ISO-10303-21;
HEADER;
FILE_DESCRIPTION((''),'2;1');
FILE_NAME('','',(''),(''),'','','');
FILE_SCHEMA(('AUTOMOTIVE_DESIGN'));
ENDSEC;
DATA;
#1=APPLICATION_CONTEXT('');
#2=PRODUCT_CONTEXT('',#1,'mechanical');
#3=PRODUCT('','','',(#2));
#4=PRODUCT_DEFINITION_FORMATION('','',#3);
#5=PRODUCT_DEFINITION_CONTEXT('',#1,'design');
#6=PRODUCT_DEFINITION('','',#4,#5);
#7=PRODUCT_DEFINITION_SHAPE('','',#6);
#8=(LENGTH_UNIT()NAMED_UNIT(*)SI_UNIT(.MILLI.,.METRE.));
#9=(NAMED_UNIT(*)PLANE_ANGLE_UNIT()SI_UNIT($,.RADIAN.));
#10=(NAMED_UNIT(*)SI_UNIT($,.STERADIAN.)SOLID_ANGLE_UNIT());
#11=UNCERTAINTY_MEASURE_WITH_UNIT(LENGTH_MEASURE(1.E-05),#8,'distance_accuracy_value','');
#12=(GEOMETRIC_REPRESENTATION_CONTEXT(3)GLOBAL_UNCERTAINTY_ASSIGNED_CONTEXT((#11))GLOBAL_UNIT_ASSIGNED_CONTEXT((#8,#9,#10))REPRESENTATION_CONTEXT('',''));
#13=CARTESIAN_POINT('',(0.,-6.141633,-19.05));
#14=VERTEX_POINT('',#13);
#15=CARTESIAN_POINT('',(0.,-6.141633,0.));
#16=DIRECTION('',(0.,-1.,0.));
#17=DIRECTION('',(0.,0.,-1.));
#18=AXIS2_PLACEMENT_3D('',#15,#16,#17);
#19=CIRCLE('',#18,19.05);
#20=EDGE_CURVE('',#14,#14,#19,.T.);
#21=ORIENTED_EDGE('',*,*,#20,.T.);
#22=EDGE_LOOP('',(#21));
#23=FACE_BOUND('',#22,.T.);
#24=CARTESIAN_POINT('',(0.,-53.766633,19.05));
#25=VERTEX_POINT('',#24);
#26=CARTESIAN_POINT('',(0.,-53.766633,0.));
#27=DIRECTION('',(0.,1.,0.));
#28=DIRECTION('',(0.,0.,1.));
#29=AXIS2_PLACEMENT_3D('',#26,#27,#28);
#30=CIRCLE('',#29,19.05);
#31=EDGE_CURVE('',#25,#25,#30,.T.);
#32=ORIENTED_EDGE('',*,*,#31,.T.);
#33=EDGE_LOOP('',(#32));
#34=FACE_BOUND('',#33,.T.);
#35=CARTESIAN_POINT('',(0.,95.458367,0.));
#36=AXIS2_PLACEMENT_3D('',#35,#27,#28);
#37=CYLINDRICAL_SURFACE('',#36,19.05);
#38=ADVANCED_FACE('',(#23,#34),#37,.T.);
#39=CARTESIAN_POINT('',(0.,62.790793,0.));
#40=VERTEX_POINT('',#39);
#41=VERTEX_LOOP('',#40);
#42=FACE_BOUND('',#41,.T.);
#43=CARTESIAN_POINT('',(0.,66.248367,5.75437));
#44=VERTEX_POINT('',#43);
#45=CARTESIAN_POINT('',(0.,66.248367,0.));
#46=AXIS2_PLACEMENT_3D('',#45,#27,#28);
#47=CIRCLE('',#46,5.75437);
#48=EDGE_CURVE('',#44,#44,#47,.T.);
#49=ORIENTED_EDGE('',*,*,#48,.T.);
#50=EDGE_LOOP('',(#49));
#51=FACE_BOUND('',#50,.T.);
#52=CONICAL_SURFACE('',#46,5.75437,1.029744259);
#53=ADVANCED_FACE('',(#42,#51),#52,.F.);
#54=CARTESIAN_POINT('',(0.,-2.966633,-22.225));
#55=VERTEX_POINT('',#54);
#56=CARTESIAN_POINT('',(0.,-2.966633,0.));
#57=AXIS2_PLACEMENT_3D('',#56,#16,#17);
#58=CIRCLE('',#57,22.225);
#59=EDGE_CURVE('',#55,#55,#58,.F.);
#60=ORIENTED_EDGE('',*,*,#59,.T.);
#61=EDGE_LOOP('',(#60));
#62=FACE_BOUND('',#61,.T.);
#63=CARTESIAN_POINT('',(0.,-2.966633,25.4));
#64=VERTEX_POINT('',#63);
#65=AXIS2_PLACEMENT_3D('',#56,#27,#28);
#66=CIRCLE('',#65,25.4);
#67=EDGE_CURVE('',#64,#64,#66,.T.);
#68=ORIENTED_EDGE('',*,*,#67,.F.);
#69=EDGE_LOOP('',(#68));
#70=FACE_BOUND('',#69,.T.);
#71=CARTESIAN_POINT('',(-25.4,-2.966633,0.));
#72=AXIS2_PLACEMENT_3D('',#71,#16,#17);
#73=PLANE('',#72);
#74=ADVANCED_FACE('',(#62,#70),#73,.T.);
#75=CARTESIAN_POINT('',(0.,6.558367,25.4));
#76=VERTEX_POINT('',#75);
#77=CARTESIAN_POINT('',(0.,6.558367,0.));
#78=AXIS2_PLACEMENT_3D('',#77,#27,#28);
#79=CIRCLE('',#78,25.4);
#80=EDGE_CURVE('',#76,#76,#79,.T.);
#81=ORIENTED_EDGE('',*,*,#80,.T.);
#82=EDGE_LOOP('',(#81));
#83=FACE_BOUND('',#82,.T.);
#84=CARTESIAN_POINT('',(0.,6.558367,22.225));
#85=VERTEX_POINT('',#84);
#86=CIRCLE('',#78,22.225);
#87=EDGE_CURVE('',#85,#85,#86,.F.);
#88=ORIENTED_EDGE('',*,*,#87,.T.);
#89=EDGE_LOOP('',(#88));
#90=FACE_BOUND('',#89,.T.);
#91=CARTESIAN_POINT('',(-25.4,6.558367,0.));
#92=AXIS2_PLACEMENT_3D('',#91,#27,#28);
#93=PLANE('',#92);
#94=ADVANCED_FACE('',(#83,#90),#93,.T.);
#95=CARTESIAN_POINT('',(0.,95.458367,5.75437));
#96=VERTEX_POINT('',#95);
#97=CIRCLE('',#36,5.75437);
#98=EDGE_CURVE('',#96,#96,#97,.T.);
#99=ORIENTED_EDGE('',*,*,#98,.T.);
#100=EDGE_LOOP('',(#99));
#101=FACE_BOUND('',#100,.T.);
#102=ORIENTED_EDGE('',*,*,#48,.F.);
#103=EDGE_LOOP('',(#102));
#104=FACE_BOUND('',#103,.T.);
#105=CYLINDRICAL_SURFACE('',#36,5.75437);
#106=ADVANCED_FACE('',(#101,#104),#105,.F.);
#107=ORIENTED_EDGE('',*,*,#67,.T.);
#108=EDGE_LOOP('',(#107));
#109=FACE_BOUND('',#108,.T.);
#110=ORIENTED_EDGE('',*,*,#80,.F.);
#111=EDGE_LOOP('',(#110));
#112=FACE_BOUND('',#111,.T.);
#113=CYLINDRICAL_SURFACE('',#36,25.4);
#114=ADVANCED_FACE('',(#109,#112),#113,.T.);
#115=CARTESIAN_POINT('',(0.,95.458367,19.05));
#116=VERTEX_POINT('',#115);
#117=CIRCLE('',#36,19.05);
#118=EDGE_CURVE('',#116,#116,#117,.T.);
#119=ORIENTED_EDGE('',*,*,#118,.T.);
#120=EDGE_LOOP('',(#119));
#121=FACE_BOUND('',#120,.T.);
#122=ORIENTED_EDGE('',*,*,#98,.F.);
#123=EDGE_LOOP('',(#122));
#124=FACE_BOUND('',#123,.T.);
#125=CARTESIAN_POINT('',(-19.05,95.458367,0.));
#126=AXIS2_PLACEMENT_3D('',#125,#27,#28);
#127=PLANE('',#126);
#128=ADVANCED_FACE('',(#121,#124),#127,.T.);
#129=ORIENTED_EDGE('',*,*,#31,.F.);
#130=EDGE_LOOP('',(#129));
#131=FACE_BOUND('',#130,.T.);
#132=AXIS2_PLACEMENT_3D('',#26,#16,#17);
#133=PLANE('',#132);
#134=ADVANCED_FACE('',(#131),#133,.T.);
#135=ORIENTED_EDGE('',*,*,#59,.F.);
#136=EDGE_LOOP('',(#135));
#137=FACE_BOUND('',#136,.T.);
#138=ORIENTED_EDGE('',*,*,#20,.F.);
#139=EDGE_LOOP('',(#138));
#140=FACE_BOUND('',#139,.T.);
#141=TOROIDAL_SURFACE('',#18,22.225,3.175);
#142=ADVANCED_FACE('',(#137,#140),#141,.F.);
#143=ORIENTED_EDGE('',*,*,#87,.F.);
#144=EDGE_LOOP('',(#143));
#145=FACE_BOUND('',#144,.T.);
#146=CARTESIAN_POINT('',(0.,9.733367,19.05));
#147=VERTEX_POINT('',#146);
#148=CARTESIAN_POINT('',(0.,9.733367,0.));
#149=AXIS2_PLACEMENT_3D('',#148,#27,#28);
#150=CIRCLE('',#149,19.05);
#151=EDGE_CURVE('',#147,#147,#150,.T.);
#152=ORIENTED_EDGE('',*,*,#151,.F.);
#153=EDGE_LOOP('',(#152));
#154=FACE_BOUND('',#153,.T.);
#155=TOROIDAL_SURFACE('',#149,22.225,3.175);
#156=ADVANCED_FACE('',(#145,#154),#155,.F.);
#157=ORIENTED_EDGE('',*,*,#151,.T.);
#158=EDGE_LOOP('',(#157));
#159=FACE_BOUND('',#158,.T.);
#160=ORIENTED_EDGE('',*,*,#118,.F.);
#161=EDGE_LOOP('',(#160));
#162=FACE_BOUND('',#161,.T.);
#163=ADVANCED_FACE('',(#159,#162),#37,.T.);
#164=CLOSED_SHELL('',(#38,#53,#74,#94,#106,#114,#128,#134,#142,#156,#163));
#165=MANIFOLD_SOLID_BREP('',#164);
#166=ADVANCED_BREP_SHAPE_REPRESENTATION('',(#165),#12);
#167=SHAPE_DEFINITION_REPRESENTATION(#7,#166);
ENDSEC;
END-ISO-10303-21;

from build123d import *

# Parameters (mm, degrees)
F_1_2_20_TAPPED_HOLE1_D     = 11.50874
F_1_2_20_TAPPED_HOLE1_DEPTH = 29.21
F_1_2_20_TAPPED_HOLE1_TIP   = 3.45757432
FILLET1_R                   = 3.175


with BuildPart() as part:
    # Sketch1 → Revolve2 (revolve)
    with BuildSketch(Plane.XY):
        Polygon((-25.4, -2.966632853), (-25.4, 6.558367147), (-19.05, 6.558367147), (-19.05, 95.458367147), (0, 95.458367147), (0, 0), (0, -53.766632853), (-19.05, -53.766632853), (-19.05, -2.966632853), align=None)
    revolve(axis=Axis((0, 95.458367147, 0), (0, -1, 0)))

    # 1/2-20 Tapped Hole1
    with Locations(Plane.ZX.offset(95.458367147)):
        with Locations((0, 0)):
            Hole(F_1_2_20_TAPPED_HOLE1_D / 2, depth=F_1_2_20_TAPPED_HOLE1_DEPTH)
            with Locations((0, 0, -(F_1_2_20_TAPPED_HOLE1_DEPTH + F_1_2_20_TAPPED_HOLE1_TIP / 2))):  # 118° drill point
                Cone(0, F_1_2_20_TAPPED_HOLE1_D / 2, F_1_2_20_TAPPED_HOLE1_TIP, mode=Mode.SUBTRACT)

    # Fillet1
    fillet1_edges = [part.edges().sort_by_distance(p)[0] for p in [
        (19.05, 6.558367147, 0),
        (19.05, -2.966632853, 0),
    ]]
    fillet(fillet1_edges, radius=FILLET1_R)


solid = part.part
